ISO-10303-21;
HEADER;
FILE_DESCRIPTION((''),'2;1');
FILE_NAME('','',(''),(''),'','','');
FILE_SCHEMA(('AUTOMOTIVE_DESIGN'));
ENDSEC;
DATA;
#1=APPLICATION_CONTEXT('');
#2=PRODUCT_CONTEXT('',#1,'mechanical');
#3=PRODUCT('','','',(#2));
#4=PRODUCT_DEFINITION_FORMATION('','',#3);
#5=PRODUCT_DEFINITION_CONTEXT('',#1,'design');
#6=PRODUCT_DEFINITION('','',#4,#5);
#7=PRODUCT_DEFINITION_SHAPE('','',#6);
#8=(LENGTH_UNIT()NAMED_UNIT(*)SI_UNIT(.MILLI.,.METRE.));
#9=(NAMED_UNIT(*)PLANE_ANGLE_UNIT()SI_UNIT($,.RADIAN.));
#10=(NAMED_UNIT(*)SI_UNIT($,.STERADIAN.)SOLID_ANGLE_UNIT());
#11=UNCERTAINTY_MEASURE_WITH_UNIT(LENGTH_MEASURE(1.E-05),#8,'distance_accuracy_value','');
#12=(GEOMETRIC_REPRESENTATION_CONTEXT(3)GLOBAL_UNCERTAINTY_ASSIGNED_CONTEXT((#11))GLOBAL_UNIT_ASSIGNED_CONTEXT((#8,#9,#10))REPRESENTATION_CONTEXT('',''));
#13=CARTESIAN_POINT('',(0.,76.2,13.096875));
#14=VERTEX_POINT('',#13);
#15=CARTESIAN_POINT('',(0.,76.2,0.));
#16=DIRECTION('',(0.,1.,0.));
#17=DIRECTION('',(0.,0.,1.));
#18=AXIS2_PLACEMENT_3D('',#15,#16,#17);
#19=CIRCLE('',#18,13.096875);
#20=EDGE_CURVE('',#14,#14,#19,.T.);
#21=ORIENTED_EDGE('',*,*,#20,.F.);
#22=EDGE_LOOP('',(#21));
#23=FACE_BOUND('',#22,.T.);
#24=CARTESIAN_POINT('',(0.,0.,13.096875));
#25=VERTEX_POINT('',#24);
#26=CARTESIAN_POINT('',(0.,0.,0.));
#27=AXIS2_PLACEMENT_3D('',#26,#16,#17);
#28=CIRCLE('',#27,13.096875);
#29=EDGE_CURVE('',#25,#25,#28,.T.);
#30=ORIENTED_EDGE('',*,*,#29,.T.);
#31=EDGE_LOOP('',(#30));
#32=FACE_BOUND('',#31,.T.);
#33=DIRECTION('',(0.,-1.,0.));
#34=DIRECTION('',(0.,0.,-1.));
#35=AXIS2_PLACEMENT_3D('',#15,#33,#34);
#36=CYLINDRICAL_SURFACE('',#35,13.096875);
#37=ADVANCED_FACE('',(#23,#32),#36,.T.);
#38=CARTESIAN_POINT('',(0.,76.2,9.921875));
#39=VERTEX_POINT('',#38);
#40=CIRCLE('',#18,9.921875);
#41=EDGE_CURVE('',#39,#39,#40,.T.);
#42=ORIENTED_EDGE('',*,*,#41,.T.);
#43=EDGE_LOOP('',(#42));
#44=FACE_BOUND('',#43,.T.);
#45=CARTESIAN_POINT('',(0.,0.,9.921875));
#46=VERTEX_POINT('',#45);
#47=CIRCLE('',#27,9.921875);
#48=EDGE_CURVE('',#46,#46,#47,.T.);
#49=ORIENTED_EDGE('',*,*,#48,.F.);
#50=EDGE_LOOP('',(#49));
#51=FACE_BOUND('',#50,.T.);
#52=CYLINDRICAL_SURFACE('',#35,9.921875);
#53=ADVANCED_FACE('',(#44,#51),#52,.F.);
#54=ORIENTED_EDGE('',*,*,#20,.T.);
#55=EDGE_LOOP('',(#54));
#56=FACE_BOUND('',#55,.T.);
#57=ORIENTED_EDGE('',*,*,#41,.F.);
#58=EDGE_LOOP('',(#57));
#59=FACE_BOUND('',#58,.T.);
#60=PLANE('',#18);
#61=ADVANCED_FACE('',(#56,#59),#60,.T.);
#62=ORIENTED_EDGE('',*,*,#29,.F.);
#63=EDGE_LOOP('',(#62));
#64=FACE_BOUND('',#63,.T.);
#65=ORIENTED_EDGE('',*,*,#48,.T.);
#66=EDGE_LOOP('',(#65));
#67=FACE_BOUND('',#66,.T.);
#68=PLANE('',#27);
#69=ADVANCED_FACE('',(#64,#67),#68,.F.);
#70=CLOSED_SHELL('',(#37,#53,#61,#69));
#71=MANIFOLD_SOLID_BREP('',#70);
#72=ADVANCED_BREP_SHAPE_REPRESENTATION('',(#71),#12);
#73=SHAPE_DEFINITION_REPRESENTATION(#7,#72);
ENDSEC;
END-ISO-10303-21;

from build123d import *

# Parameters (mm, degrees)
SKETCH1_R           = 13.096875
SKETCH1_R_2         = 9.921875
BOSS_EXTRUDE1_DEPTH = 76.2


with BuildPart() as part:
    # Sketch1 → Boss-Extrude1 (new body)
    with BuildSketch(Plane(origin=(0, 0, 0), x_dir=(1, 0, 0), z_dir=(0, 1, 0))):
        Circle(SKETCH1_R)
        Circle(SKETCH1_R_2, mode=Mode.SUBTRACT)
    extrude(amount=BOSS_EXTRUDE1_DEPTH)


solid = part.part
